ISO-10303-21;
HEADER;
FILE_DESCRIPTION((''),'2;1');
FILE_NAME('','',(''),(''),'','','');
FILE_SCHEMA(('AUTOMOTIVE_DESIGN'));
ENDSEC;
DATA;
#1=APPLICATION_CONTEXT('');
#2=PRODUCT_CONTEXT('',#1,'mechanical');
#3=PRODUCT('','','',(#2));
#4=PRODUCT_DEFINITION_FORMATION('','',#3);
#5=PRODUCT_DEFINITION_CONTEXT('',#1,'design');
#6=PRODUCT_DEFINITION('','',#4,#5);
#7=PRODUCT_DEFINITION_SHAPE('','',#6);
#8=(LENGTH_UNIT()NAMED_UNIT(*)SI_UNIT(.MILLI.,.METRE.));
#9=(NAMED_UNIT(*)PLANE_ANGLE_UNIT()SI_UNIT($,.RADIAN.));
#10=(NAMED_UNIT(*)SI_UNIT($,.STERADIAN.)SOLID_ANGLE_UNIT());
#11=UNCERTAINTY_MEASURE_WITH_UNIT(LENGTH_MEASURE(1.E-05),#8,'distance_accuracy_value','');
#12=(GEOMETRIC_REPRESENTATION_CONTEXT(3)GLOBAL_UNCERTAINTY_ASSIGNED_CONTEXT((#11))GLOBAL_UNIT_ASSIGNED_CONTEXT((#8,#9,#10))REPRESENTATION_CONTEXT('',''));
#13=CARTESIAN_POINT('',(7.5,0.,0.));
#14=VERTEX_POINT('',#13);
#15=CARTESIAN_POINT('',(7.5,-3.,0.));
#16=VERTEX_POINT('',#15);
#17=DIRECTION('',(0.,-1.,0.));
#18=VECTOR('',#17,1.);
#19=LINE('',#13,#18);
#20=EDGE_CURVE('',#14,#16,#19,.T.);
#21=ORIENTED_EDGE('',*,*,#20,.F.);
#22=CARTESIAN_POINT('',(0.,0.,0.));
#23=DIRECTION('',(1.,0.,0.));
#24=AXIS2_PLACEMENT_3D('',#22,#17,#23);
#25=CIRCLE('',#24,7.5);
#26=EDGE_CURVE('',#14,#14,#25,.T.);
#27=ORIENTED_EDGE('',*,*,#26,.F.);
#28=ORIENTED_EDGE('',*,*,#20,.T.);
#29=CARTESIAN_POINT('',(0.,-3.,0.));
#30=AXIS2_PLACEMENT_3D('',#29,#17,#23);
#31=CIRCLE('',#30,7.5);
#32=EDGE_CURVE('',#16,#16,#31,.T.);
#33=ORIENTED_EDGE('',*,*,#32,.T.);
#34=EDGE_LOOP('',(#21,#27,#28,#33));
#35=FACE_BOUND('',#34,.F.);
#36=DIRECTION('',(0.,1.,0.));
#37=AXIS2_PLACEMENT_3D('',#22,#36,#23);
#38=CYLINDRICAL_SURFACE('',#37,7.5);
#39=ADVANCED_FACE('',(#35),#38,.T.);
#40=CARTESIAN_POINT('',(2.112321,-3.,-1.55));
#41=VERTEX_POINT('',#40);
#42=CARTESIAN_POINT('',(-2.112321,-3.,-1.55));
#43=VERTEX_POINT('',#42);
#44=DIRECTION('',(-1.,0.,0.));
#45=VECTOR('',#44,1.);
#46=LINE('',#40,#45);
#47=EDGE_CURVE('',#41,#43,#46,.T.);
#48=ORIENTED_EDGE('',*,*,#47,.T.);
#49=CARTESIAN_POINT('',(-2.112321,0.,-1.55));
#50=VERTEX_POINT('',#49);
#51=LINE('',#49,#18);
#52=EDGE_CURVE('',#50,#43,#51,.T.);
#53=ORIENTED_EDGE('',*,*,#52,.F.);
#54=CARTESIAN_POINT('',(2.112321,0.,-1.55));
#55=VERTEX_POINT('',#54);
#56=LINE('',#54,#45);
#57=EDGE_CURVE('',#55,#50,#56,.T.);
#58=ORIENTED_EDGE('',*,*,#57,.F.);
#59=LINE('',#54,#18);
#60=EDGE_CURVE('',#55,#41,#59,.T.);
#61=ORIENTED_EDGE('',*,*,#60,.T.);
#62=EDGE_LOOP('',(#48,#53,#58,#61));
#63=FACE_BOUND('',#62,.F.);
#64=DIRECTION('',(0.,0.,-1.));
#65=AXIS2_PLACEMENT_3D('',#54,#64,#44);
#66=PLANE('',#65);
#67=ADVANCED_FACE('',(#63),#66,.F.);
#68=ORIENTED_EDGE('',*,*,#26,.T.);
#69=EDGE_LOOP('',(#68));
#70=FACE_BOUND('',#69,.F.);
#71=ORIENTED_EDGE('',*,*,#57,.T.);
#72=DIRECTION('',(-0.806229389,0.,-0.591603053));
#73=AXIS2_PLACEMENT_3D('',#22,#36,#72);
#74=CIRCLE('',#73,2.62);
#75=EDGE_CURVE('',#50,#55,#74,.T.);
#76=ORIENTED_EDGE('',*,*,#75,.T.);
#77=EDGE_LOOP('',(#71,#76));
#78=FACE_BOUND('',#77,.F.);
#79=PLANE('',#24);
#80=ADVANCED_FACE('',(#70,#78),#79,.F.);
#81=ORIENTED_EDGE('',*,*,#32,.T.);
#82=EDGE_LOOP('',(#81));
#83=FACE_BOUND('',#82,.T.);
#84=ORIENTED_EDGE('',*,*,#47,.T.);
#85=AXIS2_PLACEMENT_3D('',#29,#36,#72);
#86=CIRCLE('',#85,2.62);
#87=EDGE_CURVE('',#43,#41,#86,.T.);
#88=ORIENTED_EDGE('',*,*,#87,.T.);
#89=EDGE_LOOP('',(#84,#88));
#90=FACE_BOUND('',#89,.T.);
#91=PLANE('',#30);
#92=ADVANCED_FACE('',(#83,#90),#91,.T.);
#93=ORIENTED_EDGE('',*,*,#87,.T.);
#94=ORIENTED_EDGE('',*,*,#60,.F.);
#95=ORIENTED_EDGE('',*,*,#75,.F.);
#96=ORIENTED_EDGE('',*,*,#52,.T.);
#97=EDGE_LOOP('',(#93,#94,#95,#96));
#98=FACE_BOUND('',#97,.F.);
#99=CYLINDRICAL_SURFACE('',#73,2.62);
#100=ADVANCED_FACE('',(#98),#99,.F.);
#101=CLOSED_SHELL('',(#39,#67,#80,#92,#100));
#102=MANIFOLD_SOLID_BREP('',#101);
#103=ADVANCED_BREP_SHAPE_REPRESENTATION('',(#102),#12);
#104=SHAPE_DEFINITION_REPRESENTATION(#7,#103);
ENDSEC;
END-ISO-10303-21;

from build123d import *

# Parameters (mm, degrees)
F0_R     = 7.5
F1_DEPTH = 3


with BuildPart() as f1:
    # F0 (on Front) → F1 (new body)
    with BuildSketch(Plane.XZ):
        Circle(F0_R)
        with BuildLine():
            Line((2.112321, -1.55), (0, -1.55))
            Line((0, -1.55), (-2.112321, -1.55))
            ThreePointArc((-2.112321, -1.55), (0, 2.62), (2.112321, -1.55))
        make_face(mode=Mode.SUBTRACT)
    extrude(amount=F1_DEPTH)


solid = f1.part
